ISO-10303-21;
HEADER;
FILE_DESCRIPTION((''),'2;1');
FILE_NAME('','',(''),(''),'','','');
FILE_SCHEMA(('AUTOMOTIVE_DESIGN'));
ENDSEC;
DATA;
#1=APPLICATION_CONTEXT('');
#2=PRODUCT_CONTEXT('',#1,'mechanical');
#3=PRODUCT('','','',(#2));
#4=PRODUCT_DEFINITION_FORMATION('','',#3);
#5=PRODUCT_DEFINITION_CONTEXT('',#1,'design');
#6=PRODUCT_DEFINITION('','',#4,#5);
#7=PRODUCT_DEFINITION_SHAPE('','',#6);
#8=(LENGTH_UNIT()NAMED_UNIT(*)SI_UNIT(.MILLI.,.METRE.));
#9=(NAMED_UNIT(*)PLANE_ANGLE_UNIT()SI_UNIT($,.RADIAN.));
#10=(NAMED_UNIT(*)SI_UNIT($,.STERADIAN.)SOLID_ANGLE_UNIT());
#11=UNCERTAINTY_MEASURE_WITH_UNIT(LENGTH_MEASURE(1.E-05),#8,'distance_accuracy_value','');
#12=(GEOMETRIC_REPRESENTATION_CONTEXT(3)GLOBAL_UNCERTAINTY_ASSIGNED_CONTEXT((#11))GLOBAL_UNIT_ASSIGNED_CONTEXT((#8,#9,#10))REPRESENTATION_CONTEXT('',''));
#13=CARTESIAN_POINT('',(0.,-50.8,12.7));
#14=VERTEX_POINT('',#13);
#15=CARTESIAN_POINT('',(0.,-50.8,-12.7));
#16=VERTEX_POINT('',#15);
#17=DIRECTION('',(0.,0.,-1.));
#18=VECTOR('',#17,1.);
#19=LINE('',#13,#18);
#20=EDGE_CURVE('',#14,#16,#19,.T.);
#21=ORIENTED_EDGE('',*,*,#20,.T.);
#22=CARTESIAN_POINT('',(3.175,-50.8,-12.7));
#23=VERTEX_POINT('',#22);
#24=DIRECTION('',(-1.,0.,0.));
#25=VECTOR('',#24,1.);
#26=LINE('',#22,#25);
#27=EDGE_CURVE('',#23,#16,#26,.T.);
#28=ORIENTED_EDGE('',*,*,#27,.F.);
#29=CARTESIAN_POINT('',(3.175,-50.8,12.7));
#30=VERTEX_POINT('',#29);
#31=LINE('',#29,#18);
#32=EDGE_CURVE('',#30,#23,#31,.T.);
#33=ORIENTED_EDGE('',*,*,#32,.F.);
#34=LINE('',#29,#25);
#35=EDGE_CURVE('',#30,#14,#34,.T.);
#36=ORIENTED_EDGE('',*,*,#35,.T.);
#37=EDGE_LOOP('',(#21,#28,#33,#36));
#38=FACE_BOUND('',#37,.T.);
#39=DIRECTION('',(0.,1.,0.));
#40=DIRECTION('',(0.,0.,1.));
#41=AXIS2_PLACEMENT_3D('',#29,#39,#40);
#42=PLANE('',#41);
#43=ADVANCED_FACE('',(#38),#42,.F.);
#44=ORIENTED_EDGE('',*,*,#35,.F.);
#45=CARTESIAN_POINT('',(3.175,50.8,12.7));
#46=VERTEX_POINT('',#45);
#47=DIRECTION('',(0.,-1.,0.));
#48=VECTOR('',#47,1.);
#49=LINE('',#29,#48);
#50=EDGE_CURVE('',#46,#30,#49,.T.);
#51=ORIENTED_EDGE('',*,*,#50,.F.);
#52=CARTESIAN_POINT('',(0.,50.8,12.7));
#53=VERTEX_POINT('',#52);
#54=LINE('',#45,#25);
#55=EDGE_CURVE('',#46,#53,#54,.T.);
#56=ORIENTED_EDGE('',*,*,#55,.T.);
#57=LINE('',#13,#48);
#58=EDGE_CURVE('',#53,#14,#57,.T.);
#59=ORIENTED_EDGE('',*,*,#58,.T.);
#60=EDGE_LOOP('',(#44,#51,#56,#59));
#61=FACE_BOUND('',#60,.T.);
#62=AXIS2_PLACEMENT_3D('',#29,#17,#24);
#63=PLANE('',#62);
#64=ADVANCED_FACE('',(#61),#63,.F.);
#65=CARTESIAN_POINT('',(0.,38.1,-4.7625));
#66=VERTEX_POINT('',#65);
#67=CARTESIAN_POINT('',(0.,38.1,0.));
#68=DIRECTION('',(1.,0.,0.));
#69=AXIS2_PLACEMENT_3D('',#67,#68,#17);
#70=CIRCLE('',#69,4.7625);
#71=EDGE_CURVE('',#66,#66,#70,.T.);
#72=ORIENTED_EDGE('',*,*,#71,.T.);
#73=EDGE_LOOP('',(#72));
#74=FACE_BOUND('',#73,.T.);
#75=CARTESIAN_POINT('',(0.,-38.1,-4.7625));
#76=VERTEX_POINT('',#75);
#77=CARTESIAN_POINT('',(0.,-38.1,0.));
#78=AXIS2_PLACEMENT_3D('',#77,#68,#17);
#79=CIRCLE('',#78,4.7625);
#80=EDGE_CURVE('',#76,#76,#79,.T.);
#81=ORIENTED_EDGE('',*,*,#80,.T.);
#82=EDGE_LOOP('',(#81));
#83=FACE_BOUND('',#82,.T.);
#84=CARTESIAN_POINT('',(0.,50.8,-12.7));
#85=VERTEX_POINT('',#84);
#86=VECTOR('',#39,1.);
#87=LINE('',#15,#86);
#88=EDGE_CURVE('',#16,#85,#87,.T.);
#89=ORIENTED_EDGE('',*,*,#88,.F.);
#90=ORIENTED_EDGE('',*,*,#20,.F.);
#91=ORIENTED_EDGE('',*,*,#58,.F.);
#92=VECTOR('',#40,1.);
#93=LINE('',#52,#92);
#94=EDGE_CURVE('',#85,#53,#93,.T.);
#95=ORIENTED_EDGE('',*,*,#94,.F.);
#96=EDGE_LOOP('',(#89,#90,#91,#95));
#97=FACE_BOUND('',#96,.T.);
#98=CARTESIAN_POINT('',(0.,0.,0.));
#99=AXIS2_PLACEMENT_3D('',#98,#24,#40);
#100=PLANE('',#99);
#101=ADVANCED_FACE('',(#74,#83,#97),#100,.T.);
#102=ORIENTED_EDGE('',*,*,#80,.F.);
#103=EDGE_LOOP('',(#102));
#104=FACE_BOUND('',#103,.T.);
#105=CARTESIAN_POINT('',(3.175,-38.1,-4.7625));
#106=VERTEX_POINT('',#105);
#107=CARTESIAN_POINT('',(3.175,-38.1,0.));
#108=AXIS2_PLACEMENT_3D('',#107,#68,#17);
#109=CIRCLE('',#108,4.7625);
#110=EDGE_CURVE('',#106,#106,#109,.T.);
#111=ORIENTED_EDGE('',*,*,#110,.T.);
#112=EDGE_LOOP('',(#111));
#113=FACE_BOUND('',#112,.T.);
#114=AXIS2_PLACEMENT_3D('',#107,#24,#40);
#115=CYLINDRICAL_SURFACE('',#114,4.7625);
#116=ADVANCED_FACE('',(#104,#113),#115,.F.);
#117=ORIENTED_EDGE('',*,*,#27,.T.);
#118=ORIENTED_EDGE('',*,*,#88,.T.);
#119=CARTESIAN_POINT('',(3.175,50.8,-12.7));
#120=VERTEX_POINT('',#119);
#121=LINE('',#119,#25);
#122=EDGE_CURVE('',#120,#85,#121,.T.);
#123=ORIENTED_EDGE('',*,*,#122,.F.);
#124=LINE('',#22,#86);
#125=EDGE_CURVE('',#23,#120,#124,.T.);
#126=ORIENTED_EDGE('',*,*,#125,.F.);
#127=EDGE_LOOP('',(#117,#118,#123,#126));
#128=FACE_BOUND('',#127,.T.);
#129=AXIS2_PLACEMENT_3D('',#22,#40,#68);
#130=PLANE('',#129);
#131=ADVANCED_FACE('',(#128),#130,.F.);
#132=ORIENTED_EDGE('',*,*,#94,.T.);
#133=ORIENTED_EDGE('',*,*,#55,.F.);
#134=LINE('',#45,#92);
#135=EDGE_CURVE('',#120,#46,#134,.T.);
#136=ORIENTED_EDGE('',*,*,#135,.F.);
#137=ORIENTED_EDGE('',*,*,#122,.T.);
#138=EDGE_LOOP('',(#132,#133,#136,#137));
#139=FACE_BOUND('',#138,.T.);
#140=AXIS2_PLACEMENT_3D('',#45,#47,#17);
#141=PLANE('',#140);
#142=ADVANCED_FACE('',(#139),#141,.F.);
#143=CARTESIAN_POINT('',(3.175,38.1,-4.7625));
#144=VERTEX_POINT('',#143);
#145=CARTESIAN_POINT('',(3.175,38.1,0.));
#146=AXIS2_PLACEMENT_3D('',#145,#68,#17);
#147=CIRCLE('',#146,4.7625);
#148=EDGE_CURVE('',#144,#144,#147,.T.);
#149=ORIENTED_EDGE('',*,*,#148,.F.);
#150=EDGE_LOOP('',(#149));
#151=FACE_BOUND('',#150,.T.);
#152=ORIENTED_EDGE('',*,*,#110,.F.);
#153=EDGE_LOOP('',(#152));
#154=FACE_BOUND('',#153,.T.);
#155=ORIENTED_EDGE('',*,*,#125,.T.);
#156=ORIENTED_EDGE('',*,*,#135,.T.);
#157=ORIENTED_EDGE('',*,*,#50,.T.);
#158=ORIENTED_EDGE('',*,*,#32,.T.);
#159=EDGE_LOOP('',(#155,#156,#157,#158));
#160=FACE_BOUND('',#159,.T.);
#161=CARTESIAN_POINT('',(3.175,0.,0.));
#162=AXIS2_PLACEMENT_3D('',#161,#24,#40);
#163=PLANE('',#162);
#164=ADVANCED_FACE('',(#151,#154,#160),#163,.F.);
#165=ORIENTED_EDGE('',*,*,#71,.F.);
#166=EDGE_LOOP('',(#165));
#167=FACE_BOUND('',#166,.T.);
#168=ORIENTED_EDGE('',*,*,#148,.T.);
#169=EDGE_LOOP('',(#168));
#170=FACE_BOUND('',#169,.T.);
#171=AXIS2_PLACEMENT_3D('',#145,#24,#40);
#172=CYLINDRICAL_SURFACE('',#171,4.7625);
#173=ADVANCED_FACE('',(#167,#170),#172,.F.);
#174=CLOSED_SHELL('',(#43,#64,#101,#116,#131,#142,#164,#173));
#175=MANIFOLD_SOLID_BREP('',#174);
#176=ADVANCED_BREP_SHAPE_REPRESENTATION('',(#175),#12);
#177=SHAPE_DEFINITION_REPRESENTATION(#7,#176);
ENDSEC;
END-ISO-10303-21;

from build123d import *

# Parameters (mm, degrees)
SKETCH1_W           = 25.4
SKETCH1_H           = 101.6
SKETCH1_R           = 4.7625
BOSS_EXTRUDE1_DEPTH = 3.175


with BuildPart() as part:
    # Sketch1 → Boss-Extrude1 (new body)
    with BuildSketch(Plane(origin=(0, 0, 0), x_dir=(0, 0, -1), z_dir=(1, 0, 0))):
        Rectangle(SKETCH1_W, SKETCH1_H)
        with Locations((0, 38.1)):
            Circle(SKETCH1_R, mode=Mode.SUBTRACT)
        with Locations((0, -38.1)):
            Circle(SKETCH1_R, mode=Mode.SUBTRACT)
    extrude(amount=BOSS_EXTRUDE1_DEPTH)


solid = part.part
